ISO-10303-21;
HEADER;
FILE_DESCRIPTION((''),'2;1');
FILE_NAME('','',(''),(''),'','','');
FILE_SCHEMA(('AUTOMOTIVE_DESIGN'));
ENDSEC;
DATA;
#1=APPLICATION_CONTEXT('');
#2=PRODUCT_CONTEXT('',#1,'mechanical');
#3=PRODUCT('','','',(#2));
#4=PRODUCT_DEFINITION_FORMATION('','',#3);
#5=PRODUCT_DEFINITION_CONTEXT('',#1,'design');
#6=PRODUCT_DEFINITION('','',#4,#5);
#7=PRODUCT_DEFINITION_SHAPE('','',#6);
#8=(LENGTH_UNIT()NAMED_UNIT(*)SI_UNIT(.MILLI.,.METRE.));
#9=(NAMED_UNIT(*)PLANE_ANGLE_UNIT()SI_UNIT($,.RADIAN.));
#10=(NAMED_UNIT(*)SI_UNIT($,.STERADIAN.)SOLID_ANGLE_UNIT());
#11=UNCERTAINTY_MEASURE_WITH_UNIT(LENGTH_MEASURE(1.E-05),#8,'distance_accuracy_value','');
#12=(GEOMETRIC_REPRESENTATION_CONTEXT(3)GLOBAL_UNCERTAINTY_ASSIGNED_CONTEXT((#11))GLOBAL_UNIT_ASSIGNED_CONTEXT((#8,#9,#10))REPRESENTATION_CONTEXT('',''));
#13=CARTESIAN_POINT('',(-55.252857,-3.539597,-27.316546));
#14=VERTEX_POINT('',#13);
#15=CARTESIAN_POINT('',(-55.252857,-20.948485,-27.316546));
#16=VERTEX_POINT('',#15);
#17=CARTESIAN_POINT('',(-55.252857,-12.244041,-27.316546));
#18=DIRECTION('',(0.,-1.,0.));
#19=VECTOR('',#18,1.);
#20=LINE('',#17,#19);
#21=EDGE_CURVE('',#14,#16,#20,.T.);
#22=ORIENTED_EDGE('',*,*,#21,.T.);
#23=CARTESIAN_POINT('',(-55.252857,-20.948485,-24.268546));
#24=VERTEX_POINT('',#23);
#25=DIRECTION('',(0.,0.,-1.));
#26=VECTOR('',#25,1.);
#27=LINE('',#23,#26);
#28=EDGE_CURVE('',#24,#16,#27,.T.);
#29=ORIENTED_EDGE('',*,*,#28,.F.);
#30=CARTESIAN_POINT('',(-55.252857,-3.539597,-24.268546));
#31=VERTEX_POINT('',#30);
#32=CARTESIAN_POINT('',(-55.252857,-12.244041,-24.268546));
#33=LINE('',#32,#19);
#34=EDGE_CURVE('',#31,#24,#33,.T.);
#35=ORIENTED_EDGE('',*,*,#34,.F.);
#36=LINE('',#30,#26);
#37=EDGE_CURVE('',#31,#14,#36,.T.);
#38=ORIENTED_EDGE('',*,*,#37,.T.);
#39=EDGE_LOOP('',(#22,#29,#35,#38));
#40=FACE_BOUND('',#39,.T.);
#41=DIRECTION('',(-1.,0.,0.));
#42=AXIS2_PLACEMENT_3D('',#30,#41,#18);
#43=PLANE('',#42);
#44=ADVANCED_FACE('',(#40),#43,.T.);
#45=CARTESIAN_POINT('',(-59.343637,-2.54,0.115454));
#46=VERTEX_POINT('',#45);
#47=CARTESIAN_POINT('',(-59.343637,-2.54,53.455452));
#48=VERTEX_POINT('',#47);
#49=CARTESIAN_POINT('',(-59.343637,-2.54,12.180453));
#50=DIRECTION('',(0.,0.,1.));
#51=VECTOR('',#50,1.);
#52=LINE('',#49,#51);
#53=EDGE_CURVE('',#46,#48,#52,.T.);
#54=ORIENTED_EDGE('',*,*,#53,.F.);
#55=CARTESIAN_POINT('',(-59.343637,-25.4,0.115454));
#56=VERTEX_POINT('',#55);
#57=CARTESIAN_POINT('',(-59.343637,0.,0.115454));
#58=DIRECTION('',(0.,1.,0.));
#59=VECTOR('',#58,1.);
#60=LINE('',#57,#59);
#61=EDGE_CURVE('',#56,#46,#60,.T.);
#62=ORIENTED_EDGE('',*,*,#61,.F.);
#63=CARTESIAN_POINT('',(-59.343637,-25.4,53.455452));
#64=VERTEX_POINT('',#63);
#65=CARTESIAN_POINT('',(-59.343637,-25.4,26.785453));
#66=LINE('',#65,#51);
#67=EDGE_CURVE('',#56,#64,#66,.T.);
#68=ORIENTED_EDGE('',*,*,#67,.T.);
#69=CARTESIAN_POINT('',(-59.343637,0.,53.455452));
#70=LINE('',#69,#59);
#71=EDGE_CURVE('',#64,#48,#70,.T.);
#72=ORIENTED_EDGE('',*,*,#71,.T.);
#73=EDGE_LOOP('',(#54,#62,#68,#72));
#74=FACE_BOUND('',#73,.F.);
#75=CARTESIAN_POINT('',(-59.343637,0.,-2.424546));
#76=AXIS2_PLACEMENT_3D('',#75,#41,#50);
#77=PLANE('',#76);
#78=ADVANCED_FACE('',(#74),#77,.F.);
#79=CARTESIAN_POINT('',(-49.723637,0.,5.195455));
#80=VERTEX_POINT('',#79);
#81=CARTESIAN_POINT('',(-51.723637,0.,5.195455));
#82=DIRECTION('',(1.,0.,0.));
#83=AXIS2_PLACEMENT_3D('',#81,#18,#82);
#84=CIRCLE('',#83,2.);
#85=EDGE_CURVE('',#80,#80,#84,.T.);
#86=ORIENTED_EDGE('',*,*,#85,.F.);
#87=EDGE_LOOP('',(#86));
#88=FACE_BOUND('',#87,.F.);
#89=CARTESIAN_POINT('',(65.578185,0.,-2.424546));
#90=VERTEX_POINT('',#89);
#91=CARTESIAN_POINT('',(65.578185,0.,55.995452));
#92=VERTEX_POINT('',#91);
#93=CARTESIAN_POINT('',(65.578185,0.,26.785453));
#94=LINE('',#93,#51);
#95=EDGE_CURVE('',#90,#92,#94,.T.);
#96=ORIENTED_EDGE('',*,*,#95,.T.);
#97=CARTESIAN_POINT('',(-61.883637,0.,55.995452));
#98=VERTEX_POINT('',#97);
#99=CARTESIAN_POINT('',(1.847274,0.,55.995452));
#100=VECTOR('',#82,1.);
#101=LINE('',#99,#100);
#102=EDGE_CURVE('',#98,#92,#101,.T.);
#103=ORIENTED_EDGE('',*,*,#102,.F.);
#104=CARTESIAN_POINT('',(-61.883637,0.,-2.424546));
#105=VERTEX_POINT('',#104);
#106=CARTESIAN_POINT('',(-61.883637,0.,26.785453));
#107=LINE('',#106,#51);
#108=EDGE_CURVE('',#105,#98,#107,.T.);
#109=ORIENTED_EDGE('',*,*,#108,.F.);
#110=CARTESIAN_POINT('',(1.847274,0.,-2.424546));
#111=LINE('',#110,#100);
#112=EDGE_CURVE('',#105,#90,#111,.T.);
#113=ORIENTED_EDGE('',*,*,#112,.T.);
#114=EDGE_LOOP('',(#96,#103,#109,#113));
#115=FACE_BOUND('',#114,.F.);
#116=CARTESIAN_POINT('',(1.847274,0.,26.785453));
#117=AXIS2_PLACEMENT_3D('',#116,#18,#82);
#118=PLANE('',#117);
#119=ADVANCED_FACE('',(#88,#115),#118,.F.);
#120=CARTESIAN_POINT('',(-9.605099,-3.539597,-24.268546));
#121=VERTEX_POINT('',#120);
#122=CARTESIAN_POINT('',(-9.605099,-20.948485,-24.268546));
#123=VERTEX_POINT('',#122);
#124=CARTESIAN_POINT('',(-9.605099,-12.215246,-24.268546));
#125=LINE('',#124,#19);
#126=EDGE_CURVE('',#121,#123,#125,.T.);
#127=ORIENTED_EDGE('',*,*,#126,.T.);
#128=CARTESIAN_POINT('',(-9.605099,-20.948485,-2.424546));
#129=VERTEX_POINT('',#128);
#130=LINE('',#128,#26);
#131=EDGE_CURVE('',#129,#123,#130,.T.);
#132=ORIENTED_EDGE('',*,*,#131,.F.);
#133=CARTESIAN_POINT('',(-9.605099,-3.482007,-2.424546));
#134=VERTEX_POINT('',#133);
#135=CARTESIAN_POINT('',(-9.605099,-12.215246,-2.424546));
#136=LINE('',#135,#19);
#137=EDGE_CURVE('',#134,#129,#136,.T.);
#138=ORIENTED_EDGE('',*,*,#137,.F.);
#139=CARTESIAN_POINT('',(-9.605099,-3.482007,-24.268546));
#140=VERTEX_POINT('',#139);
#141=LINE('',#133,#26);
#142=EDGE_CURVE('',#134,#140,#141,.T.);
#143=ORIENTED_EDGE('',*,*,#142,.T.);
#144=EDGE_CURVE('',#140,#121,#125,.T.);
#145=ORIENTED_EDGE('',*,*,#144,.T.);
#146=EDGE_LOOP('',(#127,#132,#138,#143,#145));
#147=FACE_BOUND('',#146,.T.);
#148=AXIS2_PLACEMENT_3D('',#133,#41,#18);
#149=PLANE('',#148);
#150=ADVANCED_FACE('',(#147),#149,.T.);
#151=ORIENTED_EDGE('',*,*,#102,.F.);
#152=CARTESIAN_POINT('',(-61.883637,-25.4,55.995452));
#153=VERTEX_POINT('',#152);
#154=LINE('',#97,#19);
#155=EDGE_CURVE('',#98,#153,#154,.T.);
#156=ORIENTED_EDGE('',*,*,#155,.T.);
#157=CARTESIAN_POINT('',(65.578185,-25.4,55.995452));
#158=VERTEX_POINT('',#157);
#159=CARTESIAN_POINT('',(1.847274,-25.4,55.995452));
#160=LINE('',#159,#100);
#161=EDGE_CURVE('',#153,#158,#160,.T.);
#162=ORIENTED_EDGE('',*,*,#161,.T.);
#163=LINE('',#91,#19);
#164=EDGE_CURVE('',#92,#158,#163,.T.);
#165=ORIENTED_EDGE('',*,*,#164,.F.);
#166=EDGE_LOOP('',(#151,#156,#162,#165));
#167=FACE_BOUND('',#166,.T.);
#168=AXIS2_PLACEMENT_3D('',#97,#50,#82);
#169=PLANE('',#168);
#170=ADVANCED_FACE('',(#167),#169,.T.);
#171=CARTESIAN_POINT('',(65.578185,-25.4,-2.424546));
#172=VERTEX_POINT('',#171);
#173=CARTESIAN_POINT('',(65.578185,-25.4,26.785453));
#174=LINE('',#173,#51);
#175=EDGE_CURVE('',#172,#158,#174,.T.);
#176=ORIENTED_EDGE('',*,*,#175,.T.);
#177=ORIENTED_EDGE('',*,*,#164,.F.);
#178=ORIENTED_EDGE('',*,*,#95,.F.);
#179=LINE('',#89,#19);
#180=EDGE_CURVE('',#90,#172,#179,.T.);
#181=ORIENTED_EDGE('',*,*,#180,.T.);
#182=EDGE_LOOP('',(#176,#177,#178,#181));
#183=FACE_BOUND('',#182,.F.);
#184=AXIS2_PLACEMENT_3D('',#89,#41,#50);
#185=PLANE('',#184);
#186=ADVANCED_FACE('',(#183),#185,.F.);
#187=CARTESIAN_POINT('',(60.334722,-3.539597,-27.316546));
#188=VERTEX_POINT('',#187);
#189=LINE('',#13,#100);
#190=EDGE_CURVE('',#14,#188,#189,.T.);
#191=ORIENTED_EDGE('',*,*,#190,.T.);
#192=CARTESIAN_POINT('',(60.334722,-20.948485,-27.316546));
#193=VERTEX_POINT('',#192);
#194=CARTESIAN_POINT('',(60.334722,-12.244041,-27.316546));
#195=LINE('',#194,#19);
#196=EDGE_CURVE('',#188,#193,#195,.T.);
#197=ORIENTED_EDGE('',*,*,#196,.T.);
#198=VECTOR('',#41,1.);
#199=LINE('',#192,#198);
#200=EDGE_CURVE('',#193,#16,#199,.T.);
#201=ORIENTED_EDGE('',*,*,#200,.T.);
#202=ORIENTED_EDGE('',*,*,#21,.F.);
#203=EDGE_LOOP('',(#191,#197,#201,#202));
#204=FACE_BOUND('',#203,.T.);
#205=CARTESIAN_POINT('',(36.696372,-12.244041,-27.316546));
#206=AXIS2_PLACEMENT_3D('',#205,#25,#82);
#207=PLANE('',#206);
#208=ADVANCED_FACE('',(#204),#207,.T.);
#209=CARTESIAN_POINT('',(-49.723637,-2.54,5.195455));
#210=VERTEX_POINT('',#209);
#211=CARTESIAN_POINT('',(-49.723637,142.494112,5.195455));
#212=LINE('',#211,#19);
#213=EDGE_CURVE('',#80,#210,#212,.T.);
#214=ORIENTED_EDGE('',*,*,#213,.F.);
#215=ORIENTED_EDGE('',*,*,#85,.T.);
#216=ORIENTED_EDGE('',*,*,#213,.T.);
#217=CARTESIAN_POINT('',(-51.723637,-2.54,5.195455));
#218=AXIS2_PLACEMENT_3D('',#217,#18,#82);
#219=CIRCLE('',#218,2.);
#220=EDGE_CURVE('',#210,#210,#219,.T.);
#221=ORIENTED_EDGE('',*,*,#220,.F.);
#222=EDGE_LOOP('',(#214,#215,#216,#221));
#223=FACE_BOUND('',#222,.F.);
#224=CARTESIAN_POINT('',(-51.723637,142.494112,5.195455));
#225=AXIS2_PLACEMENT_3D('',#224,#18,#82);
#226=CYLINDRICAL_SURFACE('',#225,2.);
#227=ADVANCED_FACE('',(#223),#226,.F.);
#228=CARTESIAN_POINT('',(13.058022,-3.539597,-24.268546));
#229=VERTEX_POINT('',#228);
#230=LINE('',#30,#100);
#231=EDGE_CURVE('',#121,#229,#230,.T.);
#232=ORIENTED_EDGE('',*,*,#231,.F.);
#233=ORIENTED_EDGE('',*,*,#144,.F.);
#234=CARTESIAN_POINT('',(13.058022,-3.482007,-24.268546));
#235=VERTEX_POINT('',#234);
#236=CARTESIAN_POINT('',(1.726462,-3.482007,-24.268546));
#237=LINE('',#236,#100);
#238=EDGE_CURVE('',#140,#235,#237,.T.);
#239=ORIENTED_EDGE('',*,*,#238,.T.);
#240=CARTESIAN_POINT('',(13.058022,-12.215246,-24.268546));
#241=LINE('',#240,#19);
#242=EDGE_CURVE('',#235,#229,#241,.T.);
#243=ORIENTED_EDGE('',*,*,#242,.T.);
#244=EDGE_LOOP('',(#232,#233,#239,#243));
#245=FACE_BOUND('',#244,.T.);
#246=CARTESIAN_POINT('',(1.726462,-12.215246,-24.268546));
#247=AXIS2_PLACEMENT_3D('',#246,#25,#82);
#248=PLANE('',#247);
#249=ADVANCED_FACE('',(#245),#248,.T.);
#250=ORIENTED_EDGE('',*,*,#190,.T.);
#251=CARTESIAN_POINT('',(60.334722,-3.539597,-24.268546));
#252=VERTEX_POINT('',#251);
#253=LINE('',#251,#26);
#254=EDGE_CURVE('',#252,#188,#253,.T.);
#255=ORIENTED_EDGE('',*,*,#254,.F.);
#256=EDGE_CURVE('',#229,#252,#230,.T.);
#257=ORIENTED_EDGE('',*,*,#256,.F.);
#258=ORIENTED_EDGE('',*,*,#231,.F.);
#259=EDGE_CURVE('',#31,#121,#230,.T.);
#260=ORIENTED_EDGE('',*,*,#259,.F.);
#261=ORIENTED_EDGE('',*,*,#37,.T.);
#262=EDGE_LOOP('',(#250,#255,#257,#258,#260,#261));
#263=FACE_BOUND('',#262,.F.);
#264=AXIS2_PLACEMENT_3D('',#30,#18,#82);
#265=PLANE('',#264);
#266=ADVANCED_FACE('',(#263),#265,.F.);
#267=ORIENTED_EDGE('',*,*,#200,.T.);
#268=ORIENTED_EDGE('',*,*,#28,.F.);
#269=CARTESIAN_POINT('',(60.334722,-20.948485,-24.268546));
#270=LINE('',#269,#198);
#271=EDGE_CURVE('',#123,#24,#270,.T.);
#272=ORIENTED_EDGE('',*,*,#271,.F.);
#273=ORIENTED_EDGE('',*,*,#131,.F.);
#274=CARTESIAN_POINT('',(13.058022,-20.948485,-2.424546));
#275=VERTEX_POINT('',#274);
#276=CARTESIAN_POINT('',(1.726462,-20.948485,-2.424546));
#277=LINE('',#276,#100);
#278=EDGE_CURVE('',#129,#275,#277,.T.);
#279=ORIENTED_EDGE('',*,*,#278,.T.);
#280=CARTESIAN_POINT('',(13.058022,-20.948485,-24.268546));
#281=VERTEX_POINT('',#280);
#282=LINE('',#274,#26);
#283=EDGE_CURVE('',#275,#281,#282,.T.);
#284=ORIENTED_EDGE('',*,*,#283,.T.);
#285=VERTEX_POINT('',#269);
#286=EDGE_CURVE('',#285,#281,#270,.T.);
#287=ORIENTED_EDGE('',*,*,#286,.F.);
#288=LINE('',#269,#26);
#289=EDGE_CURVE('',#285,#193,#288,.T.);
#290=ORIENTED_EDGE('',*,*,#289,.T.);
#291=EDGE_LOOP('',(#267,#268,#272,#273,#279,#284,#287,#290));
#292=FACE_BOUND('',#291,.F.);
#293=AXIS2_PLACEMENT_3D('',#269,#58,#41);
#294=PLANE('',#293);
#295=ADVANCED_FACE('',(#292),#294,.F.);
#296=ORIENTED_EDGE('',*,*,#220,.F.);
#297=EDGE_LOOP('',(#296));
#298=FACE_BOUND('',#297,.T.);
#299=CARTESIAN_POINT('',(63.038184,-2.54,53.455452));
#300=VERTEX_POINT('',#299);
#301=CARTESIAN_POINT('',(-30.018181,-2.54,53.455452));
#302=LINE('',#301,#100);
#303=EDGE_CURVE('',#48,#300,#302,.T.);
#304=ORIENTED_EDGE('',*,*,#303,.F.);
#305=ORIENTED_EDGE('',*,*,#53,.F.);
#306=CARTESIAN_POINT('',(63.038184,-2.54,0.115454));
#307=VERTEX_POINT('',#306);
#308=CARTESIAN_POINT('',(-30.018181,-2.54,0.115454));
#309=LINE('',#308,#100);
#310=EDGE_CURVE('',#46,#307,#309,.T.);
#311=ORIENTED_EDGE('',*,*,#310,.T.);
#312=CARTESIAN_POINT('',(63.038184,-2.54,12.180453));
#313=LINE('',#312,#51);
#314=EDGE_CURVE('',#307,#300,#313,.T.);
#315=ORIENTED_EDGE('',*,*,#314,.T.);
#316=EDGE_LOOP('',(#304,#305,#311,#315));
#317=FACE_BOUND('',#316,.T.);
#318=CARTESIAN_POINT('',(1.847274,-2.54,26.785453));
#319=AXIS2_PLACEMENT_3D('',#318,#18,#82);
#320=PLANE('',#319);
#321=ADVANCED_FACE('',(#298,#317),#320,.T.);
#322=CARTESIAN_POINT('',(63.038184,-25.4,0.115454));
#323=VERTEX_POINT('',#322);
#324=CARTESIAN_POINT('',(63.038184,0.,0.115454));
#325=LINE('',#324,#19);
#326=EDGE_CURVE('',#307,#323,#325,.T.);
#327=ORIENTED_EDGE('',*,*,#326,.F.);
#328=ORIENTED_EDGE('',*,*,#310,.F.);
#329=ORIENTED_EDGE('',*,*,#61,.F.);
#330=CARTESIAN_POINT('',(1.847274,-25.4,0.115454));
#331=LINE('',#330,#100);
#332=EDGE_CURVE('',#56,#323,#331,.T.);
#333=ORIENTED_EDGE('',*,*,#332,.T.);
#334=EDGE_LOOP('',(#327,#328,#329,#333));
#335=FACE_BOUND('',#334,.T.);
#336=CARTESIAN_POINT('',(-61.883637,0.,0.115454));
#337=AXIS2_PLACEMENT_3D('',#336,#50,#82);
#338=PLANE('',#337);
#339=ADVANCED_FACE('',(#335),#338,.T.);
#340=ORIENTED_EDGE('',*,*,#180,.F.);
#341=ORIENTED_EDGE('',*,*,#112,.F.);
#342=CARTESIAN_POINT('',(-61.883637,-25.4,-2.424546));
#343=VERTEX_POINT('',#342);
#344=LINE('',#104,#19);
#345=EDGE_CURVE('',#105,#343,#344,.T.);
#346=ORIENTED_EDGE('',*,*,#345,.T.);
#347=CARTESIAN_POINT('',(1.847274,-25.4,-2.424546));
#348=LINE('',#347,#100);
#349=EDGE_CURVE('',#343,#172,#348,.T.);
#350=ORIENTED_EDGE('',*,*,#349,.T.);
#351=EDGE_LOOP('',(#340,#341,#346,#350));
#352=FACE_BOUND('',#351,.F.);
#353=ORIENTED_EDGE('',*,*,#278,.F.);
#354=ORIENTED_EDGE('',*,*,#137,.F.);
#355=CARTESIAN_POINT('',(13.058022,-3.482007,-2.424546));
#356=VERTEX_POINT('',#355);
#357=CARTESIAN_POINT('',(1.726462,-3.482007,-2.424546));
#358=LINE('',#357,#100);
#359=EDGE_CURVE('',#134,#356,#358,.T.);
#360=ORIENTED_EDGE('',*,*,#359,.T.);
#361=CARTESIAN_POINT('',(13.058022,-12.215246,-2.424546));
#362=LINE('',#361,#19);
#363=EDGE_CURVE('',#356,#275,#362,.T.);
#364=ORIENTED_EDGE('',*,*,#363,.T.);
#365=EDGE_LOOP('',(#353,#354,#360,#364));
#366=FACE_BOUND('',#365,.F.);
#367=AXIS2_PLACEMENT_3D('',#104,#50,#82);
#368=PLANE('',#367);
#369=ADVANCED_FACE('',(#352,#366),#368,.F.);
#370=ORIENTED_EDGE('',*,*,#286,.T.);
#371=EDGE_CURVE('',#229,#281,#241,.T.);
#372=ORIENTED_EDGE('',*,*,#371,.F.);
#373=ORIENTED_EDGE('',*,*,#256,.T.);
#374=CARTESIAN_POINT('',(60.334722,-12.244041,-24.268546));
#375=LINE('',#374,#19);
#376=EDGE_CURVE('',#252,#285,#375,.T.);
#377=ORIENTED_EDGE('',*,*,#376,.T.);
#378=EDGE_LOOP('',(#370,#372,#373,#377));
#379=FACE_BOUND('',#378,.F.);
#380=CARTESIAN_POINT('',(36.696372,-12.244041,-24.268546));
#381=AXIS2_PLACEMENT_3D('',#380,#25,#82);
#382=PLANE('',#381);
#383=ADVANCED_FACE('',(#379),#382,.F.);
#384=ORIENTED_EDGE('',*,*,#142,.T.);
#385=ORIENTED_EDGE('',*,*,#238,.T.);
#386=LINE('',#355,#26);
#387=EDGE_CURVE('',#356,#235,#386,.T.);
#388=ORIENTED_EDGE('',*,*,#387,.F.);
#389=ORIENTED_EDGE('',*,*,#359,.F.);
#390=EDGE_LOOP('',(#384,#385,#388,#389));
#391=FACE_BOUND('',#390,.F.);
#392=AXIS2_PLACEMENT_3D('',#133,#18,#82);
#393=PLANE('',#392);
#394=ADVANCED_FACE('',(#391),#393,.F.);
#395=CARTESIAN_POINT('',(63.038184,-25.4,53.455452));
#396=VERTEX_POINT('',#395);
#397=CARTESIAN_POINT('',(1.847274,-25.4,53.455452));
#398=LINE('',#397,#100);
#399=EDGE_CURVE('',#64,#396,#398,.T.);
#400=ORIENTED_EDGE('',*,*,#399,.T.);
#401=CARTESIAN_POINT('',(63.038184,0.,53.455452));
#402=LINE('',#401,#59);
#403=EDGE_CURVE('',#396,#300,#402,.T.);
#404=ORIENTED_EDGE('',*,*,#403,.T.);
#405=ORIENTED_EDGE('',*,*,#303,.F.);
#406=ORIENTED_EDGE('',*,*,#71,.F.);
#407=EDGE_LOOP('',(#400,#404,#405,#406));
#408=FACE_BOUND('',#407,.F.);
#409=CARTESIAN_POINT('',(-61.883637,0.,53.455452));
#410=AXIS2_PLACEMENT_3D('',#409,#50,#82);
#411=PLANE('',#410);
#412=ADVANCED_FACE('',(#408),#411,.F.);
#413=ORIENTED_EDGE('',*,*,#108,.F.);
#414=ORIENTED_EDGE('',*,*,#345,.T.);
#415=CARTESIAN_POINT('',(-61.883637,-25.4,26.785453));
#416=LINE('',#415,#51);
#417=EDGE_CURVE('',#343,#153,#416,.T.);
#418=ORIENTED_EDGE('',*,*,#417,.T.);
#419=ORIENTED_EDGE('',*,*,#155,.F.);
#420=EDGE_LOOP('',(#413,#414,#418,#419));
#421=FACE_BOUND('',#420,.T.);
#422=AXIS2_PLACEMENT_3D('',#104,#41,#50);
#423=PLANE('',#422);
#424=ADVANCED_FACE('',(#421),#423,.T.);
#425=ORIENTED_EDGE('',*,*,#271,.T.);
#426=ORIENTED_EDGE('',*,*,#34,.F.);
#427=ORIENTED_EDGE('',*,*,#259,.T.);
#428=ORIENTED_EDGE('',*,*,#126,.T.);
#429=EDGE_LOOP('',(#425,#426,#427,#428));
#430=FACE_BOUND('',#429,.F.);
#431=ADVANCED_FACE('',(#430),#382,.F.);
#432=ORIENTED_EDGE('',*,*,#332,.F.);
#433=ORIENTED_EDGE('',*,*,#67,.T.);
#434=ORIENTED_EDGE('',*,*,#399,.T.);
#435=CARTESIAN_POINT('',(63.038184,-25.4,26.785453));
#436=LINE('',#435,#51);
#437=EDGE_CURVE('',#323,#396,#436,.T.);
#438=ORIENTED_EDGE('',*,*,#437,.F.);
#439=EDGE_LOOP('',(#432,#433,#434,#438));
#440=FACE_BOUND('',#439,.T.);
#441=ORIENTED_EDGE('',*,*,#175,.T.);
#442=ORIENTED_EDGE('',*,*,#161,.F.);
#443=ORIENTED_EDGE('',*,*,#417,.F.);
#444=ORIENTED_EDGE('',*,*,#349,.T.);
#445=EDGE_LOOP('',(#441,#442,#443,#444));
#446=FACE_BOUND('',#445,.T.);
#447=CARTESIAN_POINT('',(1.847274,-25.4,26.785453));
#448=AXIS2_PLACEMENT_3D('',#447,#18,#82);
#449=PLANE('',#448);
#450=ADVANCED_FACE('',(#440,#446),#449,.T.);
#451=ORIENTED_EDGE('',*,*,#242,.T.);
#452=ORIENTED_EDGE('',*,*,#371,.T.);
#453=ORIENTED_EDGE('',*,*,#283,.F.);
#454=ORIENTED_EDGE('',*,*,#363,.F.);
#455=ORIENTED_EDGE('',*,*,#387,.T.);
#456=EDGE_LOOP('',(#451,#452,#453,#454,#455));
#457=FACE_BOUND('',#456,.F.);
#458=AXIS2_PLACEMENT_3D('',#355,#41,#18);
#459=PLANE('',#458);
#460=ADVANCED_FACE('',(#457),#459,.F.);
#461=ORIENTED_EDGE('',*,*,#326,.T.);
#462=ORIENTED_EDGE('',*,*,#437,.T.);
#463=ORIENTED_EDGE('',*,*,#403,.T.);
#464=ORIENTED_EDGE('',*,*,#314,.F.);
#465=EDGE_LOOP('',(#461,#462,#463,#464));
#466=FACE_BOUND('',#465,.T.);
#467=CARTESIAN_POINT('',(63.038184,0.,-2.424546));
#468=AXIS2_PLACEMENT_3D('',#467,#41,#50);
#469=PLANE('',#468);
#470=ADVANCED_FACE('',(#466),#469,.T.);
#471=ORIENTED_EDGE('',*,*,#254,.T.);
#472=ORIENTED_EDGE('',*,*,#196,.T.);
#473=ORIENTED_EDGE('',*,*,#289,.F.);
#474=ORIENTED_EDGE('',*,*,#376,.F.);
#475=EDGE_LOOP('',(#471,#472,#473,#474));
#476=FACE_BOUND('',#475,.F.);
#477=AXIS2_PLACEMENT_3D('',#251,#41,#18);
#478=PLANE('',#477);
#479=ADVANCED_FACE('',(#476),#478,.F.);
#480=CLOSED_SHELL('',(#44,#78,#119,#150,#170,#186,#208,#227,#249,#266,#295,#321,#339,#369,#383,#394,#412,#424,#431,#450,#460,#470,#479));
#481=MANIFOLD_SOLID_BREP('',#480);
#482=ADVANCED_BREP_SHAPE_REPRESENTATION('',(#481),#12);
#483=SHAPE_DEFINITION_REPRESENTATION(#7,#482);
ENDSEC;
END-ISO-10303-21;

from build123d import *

# Parameters (mm, degrees)
F0_W     = 127.461821
F0_H     = 58.419999
F1_DEPTH = 25.4
F2_T     = -2.54
F4_D     = 4
F5_W     = 22.663121
F5_H     = 17.466478
F6_DEPTH = 21.844
F7_W     = 47.276701
F7_H     = 17.408888
F7_W_2   = 45.647759
F7_W_3   = 22.663121
F8_DEPTH = 3.048


with BuildPart() as f1:
    # F0 (on Front) → F1 (new body)
    with BuildSketch(Plane.XZ):
        with Locations((1.847274, 26.785453)):
            Rectangle(F0_W, F0_H)
    extrude(amount=F1_DEPTH)

    # F2
    f2_openings = [f1.faces().sort_by_distance(p)[0] for p in [
        (1.847275, -25.4, 26.785454),
    ]]
    offset(amount=F2_T, openings=f2_openings)

    # F4 (through all)
    with Locations(Plane(origin=(0, 0, 0), x_dir=(-1, 0, 0), z_dir=(0, 1, 0))):
        with Locations((51.723637, 5.195455)):
            Hole(F4_D / 2)

    # F5 (on face) → F6 (join)
    with BuildSketch(Plane(origin=(0, 0, -2.424546), x_dir=(1, 0, 0), z_dir=(0, 0, -1))):
        with Locations((1.726462, 12.215246)):
            Rectangle(F5_W, F5_H)
    extrude(amount=F6_DEPTH)

    # F7 (on face) → F8 (join)
    with BuildSketch(Plane(origin=(0, 0, -24.268546), x_dir=(1, 0, 0), z_dir=(0, 0, -1))):
        with Locations((36.696372, 12.244041)):
            Rectangle(F7_W, F7_H)
        with Locations((-32.428978, 12.244041)):
            Rectangle(F7_W_2, F7_H)
        with Locations((1.726462, 12.244041)):
            Rectangle(F7_W_3, F7_H)
    extrude(amount=F8_DEPTH)


solid = f1.part
